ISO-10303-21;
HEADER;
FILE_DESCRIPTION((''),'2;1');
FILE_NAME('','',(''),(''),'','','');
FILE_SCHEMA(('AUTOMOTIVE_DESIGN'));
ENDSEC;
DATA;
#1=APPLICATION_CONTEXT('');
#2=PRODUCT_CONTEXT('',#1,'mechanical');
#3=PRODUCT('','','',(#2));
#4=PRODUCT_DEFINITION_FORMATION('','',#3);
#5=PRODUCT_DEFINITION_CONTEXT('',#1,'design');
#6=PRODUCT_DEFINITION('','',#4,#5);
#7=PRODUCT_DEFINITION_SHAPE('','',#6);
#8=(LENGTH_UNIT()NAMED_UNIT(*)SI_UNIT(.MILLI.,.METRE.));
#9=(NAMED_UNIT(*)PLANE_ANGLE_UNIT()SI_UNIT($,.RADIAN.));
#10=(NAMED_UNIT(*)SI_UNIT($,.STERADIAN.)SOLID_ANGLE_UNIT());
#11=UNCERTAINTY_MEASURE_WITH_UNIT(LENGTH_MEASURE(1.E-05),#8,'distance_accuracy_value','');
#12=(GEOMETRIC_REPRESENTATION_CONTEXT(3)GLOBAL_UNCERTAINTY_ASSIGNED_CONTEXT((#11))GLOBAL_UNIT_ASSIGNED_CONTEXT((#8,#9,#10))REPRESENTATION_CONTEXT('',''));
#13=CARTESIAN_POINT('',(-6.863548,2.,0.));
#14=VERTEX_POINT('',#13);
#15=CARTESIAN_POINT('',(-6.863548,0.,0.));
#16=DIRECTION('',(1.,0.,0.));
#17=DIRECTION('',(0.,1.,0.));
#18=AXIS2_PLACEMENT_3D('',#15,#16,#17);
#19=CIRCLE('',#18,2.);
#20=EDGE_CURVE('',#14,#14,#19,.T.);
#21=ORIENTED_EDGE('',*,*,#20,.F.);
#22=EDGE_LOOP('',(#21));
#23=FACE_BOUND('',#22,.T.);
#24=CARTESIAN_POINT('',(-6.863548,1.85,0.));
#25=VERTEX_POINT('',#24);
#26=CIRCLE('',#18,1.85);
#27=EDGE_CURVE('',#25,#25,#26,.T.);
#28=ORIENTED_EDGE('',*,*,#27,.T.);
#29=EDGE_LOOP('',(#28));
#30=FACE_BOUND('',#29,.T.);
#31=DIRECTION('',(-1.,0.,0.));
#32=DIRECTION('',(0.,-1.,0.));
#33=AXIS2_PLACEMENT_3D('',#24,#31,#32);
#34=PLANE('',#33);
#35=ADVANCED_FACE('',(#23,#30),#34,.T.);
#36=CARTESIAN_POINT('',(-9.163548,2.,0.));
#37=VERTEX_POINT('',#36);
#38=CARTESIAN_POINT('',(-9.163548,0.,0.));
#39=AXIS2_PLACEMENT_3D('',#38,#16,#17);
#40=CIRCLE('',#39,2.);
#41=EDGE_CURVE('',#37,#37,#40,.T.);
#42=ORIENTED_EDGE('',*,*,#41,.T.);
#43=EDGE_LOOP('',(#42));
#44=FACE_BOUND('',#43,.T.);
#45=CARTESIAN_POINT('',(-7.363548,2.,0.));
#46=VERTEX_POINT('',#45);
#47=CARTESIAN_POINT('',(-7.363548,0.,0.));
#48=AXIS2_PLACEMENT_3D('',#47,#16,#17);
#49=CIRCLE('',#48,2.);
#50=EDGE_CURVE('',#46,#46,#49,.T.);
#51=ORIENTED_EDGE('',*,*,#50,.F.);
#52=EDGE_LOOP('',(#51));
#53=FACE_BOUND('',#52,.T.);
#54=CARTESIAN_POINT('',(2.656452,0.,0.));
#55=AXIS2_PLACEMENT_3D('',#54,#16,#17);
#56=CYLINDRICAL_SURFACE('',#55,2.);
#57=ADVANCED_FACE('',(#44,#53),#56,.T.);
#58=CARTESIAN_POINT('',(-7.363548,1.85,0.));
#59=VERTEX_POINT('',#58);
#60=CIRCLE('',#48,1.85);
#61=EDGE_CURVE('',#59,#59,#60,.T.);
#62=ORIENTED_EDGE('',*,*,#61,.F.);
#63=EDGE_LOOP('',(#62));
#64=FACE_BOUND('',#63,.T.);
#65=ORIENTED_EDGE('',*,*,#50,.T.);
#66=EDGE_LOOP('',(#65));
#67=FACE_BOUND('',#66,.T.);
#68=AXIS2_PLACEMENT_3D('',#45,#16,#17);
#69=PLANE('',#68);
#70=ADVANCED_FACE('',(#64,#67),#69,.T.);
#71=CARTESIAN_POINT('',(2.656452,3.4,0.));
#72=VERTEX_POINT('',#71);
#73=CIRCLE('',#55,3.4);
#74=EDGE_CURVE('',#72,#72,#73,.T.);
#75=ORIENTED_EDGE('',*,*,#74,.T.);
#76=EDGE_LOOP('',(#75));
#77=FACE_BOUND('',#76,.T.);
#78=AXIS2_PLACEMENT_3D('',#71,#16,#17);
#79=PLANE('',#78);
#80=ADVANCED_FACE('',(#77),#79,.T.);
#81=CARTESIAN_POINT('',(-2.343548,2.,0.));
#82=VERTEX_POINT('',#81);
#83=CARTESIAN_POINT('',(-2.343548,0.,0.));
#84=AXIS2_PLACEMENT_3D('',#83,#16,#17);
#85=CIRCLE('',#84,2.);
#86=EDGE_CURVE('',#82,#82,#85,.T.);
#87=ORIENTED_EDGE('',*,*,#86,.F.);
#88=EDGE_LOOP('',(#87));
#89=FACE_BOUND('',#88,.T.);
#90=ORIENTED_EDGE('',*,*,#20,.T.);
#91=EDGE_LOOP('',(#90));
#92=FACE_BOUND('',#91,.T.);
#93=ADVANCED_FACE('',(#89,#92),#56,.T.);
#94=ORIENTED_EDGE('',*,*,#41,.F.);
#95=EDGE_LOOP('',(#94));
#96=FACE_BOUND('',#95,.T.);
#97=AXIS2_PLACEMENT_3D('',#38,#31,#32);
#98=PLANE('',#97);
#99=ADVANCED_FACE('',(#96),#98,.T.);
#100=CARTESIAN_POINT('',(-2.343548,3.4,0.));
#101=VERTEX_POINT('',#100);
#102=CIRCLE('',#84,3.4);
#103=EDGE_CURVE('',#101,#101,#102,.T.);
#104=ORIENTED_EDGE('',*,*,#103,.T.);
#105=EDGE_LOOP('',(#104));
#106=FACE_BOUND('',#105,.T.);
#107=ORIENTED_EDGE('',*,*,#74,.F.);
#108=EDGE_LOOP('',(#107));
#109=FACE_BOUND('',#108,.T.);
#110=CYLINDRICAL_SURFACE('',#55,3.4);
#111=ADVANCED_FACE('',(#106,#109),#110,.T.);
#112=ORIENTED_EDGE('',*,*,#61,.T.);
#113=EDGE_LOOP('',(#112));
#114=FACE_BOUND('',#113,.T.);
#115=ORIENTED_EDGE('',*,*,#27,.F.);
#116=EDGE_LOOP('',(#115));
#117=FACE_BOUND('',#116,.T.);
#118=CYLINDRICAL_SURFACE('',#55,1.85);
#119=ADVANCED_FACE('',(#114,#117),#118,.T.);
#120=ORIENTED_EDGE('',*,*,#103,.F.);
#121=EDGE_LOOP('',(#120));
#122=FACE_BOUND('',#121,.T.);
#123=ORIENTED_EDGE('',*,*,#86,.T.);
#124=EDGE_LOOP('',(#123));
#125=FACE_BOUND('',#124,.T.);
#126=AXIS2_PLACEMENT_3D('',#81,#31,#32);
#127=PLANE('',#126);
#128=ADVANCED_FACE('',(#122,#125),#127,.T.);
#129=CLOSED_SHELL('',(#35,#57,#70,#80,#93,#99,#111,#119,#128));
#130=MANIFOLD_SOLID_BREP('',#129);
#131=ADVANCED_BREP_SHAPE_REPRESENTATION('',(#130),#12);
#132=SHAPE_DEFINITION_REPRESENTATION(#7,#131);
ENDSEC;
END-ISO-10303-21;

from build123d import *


with BuildPart() as part:
    # Skizze2 → Rotation1 (revolve)
    with BuildSketch(Plane.XY):
        Polygon((2.656451613, 0), (-9.163548387, 0), (-9.163548387, 2), (-7.363548387, 2), (-7.363548387, 1.85), (-6.863548387, 1.85), (-6.863548387, 2), (-2.343548387, 2), (-2.343548387, 3.4), (2.656451613, 3.4), align=None)
    revolve(axis=Axis((2.656451613, 0, 0), (-1, 0, 0)))


solid = part.part
